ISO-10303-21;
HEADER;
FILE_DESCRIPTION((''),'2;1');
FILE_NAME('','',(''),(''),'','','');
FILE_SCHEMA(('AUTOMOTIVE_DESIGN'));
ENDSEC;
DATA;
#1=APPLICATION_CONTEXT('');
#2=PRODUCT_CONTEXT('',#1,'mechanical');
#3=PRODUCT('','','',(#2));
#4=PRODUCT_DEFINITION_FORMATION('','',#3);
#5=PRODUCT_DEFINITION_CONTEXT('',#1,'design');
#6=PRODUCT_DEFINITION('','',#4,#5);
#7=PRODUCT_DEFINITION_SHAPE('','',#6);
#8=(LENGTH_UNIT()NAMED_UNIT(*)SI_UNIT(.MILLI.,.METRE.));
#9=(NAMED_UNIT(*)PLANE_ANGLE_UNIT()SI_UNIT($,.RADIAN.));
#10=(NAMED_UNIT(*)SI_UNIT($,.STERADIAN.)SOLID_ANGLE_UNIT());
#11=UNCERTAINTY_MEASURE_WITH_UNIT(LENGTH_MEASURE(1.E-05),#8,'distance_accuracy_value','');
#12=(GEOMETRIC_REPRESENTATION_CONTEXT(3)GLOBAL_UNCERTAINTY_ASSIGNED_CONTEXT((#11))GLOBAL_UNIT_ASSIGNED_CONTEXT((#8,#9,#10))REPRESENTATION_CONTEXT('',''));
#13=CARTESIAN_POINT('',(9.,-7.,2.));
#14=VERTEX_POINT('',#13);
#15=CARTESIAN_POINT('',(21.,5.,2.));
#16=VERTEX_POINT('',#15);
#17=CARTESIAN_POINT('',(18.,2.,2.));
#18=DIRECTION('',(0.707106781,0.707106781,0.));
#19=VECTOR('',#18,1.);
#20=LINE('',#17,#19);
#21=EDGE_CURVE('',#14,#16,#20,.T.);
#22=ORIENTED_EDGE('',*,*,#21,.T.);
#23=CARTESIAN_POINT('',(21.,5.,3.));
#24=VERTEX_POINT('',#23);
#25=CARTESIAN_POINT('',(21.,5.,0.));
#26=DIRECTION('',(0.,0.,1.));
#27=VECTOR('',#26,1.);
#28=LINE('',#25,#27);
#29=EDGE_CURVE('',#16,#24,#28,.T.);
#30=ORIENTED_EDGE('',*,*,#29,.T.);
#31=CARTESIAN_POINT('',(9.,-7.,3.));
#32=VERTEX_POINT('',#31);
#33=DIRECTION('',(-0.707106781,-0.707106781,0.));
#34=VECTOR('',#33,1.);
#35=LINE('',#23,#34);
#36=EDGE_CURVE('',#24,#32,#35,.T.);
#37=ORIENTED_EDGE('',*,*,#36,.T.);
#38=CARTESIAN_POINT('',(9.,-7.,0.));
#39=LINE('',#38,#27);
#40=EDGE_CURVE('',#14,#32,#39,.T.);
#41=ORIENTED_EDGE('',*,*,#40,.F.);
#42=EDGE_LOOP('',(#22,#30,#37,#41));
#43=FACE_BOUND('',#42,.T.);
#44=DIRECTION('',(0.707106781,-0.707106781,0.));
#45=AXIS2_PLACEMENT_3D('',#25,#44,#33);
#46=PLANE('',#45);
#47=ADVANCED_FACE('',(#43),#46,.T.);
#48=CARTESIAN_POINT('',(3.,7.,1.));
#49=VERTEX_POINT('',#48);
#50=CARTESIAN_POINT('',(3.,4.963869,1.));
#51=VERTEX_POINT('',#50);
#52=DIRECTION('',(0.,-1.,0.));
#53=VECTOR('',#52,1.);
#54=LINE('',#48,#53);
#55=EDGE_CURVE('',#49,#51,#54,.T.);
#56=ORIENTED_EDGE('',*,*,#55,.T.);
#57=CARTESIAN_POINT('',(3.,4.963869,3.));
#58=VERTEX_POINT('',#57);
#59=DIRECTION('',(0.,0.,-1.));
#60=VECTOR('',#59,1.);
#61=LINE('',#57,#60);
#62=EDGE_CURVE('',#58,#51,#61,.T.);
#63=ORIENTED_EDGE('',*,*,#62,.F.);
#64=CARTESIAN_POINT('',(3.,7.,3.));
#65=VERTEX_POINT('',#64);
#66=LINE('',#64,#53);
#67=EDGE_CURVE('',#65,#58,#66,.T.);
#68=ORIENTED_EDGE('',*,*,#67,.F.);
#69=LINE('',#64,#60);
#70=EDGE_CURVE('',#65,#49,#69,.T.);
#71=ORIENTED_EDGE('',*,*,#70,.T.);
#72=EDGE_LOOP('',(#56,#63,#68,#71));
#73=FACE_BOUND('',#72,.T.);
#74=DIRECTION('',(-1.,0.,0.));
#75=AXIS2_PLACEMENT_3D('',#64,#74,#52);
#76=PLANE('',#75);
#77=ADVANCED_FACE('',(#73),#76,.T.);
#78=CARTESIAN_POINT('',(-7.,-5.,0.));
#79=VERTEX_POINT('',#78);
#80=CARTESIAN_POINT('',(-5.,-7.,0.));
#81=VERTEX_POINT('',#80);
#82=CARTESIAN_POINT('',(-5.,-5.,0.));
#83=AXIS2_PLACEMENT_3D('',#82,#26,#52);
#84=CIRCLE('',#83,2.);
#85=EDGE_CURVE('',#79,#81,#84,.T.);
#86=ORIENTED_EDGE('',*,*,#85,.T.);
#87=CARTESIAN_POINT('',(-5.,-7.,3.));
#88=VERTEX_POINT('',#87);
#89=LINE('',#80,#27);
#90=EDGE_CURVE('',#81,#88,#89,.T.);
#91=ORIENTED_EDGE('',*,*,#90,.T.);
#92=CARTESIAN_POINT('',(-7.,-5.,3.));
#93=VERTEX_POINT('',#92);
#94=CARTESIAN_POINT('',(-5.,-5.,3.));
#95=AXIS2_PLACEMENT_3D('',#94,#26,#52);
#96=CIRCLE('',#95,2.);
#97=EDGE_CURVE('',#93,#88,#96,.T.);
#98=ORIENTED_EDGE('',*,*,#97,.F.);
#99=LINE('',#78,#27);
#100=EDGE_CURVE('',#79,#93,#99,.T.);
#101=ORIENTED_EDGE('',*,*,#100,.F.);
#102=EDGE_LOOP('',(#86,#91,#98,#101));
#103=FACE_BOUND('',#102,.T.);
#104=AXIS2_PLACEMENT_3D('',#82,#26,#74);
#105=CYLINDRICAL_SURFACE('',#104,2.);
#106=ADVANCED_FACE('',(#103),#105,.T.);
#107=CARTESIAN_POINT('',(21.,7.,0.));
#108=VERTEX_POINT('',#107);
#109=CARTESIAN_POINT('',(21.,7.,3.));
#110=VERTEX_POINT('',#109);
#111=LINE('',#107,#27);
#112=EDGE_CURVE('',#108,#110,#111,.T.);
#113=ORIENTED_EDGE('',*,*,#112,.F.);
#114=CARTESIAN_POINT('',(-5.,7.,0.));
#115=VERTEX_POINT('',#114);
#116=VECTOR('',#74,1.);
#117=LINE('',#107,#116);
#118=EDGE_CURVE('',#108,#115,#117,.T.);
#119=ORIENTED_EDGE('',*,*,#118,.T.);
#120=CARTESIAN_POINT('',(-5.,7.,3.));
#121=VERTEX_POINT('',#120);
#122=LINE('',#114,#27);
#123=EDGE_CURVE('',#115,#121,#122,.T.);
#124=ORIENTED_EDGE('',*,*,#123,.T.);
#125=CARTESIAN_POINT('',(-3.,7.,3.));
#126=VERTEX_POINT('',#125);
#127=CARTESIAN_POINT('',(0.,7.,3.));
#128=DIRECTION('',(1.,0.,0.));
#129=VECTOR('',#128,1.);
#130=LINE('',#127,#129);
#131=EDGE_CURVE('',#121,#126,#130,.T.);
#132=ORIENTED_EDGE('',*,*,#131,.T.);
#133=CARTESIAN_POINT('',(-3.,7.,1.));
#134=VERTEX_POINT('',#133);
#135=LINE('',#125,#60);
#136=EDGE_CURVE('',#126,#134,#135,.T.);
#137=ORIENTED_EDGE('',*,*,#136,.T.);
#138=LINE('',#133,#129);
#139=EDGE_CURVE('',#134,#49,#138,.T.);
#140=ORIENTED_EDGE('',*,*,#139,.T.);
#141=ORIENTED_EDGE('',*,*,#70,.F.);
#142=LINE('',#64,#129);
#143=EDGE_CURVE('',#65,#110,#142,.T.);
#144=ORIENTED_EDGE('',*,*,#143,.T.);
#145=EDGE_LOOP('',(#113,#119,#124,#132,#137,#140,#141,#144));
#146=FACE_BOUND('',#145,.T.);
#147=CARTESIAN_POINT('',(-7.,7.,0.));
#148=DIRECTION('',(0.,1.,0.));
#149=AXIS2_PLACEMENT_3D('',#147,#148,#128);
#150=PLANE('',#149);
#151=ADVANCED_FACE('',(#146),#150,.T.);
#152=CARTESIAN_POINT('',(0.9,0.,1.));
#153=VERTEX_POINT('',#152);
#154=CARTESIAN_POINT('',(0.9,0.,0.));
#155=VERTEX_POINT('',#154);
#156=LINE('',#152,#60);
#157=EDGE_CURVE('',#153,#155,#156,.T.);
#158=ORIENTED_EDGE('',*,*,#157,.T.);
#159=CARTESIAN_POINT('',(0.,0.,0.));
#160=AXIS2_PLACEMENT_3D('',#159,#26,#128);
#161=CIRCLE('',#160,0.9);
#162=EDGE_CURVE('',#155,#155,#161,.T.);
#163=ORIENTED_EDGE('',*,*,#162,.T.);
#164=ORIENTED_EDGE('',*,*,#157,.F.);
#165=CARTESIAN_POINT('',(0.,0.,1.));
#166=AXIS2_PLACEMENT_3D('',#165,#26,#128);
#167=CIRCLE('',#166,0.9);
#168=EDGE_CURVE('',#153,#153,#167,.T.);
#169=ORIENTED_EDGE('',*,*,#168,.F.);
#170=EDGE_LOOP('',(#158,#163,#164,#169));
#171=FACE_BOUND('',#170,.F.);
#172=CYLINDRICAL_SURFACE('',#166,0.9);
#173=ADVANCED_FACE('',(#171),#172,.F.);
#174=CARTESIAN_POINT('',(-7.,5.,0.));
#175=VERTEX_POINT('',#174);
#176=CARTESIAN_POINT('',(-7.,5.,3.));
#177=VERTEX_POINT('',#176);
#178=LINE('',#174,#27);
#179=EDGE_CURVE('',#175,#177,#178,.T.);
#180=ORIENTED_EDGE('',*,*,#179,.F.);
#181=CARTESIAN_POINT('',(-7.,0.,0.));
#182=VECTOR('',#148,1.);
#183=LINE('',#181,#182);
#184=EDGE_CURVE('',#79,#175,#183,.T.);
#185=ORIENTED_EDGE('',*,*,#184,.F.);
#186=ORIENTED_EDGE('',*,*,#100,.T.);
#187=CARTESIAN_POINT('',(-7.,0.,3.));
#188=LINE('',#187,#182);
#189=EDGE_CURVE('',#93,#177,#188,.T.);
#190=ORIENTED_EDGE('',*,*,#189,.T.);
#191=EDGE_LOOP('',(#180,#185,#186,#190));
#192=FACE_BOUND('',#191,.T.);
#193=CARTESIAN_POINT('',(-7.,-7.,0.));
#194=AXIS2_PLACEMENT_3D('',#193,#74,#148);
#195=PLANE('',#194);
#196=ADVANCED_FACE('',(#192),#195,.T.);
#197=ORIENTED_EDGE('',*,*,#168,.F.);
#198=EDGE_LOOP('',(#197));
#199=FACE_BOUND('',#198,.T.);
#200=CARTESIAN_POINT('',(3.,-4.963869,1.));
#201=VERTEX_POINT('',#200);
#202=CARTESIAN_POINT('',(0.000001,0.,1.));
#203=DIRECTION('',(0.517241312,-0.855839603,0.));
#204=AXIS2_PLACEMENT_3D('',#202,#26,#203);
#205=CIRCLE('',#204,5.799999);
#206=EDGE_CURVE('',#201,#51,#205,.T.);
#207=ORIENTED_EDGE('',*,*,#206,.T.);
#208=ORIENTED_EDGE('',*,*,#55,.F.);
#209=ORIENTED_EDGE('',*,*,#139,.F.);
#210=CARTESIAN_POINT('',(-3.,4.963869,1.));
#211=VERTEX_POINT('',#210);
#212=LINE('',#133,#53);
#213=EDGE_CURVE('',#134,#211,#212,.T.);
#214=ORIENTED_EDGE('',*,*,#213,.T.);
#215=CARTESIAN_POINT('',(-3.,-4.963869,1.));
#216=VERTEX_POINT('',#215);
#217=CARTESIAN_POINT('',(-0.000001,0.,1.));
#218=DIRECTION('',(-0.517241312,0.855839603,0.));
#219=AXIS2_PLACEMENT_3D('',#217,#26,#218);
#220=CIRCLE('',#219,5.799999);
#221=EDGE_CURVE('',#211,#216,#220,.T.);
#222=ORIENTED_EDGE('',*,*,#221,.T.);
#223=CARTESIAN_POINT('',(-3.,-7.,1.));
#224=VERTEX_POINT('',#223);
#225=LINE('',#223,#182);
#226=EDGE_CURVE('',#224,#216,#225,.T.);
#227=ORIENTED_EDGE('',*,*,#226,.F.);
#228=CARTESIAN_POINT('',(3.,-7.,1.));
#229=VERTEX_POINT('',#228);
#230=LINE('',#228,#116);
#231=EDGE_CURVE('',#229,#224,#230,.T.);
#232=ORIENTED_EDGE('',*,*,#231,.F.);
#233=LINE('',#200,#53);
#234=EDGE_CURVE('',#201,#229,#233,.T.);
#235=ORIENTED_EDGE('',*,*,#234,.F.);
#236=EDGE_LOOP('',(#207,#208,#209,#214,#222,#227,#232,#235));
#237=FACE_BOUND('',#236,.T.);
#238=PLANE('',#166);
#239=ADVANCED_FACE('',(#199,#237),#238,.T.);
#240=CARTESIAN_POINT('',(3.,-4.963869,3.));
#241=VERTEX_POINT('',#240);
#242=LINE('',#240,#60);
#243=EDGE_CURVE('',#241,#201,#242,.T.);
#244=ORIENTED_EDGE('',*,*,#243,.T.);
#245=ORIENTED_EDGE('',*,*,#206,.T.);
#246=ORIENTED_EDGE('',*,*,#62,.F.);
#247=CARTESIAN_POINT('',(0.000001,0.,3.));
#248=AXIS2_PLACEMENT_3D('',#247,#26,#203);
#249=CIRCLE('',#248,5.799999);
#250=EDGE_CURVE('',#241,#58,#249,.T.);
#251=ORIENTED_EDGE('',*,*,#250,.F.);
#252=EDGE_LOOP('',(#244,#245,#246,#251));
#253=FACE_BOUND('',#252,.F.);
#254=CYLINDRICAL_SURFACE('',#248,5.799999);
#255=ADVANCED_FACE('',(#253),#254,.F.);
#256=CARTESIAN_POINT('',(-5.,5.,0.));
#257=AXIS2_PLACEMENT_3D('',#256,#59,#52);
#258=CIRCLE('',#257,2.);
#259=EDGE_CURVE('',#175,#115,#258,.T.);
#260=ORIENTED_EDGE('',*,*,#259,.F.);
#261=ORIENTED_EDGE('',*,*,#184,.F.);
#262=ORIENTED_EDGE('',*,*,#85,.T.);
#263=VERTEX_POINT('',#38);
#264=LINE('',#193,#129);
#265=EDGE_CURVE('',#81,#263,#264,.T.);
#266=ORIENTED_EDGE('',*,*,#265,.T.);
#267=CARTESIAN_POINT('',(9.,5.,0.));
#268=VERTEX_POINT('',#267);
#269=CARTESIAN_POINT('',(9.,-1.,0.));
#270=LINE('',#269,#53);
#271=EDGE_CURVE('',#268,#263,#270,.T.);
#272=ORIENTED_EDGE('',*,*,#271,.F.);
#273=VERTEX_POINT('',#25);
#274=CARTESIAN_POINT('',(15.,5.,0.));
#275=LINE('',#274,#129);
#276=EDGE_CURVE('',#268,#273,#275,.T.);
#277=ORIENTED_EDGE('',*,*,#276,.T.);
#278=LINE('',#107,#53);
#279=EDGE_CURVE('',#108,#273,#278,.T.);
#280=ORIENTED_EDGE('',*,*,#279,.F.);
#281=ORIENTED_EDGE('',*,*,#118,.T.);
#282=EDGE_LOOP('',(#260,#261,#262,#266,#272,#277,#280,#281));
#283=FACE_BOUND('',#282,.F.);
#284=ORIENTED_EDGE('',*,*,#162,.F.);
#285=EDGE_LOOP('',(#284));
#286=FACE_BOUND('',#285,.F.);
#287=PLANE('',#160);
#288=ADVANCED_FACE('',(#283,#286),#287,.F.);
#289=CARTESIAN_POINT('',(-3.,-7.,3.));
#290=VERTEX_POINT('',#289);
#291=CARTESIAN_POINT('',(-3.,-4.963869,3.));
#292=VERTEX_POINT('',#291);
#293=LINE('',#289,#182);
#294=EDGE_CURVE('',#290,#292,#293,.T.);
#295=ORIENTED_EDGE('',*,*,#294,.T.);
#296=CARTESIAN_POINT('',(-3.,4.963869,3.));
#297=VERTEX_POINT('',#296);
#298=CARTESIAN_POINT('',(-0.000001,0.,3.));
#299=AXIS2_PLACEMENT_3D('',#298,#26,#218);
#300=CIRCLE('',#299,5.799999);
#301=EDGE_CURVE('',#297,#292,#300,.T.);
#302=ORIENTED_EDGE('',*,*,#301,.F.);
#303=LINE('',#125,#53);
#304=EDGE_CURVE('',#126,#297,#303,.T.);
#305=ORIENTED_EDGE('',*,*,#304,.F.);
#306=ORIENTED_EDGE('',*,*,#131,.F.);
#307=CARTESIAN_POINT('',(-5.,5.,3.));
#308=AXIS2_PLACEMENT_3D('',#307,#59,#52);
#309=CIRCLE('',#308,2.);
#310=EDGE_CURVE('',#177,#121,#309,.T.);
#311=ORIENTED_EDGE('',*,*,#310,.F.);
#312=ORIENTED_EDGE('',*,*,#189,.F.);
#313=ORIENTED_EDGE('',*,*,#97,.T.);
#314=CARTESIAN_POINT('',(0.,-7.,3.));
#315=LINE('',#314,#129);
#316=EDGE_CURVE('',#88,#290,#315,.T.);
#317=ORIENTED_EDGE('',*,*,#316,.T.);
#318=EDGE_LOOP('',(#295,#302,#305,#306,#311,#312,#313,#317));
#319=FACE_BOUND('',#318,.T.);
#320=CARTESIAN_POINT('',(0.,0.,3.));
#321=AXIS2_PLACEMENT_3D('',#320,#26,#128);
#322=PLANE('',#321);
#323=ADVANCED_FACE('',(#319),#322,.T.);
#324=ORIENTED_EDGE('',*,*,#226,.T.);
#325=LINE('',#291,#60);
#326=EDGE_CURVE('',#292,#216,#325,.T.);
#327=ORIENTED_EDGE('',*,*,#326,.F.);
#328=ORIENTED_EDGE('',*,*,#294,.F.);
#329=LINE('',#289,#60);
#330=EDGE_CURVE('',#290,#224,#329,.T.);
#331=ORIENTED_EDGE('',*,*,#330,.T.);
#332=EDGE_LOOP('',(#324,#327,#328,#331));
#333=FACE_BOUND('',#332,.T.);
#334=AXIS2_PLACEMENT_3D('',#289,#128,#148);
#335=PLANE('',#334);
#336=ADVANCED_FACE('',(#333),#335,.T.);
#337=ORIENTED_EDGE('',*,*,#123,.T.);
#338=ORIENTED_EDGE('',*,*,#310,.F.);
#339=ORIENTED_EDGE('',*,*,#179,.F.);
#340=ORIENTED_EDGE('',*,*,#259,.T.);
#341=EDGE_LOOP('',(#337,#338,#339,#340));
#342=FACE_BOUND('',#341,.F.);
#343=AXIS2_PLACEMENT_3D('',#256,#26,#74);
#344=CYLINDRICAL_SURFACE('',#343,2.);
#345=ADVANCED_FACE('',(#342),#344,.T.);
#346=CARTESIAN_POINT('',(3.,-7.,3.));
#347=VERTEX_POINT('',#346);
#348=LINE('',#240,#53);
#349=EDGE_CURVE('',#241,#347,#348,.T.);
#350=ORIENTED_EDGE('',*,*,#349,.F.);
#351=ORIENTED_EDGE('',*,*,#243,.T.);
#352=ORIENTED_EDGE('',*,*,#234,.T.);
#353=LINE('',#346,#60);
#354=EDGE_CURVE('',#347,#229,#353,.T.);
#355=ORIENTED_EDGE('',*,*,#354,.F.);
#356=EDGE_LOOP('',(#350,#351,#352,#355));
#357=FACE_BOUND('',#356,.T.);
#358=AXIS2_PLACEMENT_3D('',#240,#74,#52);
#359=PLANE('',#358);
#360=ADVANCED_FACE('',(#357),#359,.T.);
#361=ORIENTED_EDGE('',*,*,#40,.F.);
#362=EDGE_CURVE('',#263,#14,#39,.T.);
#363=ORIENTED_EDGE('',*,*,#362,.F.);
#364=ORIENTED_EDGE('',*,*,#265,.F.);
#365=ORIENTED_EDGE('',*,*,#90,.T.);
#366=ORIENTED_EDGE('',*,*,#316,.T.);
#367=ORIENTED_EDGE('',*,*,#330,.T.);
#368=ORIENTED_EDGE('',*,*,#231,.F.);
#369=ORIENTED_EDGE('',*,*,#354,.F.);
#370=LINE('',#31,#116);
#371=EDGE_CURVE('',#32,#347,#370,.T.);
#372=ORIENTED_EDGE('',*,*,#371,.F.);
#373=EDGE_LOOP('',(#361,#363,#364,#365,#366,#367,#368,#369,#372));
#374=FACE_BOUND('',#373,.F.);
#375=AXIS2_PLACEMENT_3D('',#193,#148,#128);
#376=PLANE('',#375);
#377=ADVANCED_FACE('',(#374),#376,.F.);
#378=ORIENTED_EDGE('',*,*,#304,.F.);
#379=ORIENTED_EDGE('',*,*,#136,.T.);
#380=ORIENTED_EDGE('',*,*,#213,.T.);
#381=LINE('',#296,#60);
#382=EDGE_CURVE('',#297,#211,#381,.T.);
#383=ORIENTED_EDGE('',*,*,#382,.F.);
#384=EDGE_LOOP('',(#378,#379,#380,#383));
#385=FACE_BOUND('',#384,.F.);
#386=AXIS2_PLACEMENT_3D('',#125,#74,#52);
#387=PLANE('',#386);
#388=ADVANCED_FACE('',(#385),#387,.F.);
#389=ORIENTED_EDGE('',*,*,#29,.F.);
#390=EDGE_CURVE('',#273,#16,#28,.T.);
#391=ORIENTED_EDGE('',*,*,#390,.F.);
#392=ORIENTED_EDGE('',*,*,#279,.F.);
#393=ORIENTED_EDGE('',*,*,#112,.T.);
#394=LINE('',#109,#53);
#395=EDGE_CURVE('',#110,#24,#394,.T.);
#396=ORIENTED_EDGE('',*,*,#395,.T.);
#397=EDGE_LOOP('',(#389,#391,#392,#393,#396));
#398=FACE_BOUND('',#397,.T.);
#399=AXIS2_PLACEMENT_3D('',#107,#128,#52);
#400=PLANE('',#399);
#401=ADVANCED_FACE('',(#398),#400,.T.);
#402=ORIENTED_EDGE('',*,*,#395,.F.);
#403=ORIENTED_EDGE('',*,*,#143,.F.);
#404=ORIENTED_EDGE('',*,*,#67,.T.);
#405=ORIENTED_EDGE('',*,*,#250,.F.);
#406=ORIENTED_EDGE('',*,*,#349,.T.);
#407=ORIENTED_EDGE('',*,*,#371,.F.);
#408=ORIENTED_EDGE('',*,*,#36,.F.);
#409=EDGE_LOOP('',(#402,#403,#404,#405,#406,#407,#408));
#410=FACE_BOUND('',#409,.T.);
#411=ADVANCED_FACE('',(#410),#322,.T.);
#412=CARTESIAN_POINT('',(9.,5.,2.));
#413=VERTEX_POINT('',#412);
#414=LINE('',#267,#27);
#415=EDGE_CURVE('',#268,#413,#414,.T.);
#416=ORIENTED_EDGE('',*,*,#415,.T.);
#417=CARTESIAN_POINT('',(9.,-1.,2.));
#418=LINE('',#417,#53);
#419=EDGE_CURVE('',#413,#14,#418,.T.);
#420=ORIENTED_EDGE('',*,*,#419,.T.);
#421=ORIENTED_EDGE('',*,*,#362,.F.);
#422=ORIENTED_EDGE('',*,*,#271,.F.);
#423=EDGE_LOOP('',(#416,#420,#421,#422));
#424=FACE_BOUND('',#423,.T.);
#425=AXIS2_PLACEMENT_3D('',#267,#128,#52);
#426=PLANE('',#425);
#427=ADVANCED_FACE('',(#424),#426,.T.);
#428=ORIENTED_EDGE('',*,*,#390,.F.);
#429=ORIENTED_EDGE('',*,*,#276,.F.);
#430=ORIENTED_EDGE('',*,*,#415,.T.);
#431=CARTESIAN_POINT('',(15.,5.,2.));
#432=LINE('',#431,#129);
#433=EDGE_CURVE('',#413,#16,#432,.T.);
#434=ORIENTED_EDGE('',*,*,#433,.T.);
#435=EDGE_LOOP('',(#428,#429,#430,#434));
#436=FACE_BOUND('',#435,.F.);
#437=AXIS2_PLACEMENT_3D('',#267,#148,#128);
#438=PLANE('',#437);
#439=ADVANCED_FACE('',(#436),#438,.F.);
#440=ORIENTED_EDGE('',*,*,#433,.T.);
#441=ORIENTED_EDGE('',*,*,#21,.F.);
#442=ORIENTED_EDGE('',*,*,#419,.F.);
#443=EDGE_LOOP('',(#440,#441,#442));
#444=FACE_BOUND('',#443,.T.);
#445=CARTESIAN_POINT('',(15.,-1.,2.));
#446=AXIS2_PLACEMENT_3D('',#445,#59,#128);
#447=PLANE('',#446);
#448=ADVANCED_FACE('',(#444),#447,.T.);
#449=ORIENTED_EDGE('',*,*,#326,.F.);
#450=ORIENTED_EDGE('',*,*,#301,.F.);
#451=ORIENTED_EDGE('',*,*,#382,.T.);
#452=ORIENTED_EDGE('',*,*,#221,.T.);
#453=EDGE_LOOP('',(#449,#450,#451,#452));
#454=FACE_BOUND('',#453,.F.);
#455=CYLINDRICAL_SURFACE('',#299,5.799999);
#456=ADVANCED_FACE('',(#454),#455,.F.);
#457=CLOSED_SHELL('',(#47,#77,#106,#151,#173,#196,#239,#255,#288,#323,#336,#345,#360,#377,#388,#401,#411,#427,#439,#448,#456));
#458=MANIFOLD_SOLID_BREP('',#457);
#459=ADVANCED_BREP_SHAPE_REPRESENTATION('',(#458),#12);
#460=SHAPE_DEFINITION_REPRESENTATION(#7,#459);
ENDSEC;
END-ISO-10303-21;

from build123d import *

# Parameters (mm, degrees)
SKETCH006_W     = 14
SKETCH006_H     = 14
PAD002_DEPTH    = 3
POCKET004_DEPTH = 2
SKETCH008_R     = 0.9
POCKET005_DEPTH = 1.001
PAD_DEPTH       = 3
SKETCH010_W     = 12
SKETCH010_H     = 12
POCKET_DEPTH    = 2
FILLET_R        = 2


with BuildPart() as pushpin_unit:
    # Sketch006 → Pad002 (new body)
    with BuildSketch(Plane.XY):
        Rectangle(SKETCH006_W, SKETCH006_H)
    extrude(amount=PAD002_DEPTH)

    # Sketch007 → Pocket004 (cut)
    with BuildSketch(Plane.XY.offset(3)):
        with BuildLine():
            Line((-3, 7), (-3, 4.963869))
            ThreePointArc((-3, 4.963869), (-5.8, 0), (-3, -4.963869))
            Line((-3, -7), (-3, -4.963869))
            Line((3, -7), (-3, -7))
            Line((3, -4.963869), (3, -7))
            ThreePointArc((3, -4.963869), (5.8, 0), (3, 4.963869))
            Line((3, 7), (3, 4.963869))
            Line((-3, 7), (3, 7))
        make_face()
    extrude(amount=-POCKET004_DEPTH, mode=Mode.SUBTRACT)

    # Sketch008 → Pocket005 (cut, through all)
    with BuildSketch(Plane.XY.offset(1)):
        Circle(SKETCH008_R)
    extrude(amount=-POCKET005_DEPTH, mode=Mode.SUBTRACT)


with BuildPart() as pushpin_corner_holder_rounded:
    # Sketch → Pad (new body)
    with BuildSketch(Plane.XY):
        Polygon((-7, -7), (-7, 7), (7, 7), (7, 5), (-5, -7), align=None)
    extrude(amount=PAD_DEPTH)

    # Sketch010 → Pocket (cut)
    with BuildSketch(Plane(origin=(0, 0, 0), x_dir=(1, 0, 0), z_dir=(0, 0, -1))):
        with Locations((1, 1)):
            Rectangle(SKETCH010_W, SKETCH010_H)
    extrude(amount=-POCKET_DEPTH, mode=Mode.SUBTRACT)


with BuildPart() as pushpin_corner_holder_rounded_1:
    # Clone placement: moved
    add(pushpin_corner_holder_rounded.part.moved(Location((14, 0, 0))))

    # Fusion: union pushpin-unit
    add(pushpin_unit.part)

    # Fillet
    fillet_edges = [pushpin_corner_holder_rounded_1.edges().sort_by_distance(p)[0] for p in [
        (-7, -7, 1.5),
        (-7, 7, 1.5),
    ]]
    fillet(fillet_edges, radius=FILLET_R)


solid = pushpin_corner_holder_rounded_1.part
